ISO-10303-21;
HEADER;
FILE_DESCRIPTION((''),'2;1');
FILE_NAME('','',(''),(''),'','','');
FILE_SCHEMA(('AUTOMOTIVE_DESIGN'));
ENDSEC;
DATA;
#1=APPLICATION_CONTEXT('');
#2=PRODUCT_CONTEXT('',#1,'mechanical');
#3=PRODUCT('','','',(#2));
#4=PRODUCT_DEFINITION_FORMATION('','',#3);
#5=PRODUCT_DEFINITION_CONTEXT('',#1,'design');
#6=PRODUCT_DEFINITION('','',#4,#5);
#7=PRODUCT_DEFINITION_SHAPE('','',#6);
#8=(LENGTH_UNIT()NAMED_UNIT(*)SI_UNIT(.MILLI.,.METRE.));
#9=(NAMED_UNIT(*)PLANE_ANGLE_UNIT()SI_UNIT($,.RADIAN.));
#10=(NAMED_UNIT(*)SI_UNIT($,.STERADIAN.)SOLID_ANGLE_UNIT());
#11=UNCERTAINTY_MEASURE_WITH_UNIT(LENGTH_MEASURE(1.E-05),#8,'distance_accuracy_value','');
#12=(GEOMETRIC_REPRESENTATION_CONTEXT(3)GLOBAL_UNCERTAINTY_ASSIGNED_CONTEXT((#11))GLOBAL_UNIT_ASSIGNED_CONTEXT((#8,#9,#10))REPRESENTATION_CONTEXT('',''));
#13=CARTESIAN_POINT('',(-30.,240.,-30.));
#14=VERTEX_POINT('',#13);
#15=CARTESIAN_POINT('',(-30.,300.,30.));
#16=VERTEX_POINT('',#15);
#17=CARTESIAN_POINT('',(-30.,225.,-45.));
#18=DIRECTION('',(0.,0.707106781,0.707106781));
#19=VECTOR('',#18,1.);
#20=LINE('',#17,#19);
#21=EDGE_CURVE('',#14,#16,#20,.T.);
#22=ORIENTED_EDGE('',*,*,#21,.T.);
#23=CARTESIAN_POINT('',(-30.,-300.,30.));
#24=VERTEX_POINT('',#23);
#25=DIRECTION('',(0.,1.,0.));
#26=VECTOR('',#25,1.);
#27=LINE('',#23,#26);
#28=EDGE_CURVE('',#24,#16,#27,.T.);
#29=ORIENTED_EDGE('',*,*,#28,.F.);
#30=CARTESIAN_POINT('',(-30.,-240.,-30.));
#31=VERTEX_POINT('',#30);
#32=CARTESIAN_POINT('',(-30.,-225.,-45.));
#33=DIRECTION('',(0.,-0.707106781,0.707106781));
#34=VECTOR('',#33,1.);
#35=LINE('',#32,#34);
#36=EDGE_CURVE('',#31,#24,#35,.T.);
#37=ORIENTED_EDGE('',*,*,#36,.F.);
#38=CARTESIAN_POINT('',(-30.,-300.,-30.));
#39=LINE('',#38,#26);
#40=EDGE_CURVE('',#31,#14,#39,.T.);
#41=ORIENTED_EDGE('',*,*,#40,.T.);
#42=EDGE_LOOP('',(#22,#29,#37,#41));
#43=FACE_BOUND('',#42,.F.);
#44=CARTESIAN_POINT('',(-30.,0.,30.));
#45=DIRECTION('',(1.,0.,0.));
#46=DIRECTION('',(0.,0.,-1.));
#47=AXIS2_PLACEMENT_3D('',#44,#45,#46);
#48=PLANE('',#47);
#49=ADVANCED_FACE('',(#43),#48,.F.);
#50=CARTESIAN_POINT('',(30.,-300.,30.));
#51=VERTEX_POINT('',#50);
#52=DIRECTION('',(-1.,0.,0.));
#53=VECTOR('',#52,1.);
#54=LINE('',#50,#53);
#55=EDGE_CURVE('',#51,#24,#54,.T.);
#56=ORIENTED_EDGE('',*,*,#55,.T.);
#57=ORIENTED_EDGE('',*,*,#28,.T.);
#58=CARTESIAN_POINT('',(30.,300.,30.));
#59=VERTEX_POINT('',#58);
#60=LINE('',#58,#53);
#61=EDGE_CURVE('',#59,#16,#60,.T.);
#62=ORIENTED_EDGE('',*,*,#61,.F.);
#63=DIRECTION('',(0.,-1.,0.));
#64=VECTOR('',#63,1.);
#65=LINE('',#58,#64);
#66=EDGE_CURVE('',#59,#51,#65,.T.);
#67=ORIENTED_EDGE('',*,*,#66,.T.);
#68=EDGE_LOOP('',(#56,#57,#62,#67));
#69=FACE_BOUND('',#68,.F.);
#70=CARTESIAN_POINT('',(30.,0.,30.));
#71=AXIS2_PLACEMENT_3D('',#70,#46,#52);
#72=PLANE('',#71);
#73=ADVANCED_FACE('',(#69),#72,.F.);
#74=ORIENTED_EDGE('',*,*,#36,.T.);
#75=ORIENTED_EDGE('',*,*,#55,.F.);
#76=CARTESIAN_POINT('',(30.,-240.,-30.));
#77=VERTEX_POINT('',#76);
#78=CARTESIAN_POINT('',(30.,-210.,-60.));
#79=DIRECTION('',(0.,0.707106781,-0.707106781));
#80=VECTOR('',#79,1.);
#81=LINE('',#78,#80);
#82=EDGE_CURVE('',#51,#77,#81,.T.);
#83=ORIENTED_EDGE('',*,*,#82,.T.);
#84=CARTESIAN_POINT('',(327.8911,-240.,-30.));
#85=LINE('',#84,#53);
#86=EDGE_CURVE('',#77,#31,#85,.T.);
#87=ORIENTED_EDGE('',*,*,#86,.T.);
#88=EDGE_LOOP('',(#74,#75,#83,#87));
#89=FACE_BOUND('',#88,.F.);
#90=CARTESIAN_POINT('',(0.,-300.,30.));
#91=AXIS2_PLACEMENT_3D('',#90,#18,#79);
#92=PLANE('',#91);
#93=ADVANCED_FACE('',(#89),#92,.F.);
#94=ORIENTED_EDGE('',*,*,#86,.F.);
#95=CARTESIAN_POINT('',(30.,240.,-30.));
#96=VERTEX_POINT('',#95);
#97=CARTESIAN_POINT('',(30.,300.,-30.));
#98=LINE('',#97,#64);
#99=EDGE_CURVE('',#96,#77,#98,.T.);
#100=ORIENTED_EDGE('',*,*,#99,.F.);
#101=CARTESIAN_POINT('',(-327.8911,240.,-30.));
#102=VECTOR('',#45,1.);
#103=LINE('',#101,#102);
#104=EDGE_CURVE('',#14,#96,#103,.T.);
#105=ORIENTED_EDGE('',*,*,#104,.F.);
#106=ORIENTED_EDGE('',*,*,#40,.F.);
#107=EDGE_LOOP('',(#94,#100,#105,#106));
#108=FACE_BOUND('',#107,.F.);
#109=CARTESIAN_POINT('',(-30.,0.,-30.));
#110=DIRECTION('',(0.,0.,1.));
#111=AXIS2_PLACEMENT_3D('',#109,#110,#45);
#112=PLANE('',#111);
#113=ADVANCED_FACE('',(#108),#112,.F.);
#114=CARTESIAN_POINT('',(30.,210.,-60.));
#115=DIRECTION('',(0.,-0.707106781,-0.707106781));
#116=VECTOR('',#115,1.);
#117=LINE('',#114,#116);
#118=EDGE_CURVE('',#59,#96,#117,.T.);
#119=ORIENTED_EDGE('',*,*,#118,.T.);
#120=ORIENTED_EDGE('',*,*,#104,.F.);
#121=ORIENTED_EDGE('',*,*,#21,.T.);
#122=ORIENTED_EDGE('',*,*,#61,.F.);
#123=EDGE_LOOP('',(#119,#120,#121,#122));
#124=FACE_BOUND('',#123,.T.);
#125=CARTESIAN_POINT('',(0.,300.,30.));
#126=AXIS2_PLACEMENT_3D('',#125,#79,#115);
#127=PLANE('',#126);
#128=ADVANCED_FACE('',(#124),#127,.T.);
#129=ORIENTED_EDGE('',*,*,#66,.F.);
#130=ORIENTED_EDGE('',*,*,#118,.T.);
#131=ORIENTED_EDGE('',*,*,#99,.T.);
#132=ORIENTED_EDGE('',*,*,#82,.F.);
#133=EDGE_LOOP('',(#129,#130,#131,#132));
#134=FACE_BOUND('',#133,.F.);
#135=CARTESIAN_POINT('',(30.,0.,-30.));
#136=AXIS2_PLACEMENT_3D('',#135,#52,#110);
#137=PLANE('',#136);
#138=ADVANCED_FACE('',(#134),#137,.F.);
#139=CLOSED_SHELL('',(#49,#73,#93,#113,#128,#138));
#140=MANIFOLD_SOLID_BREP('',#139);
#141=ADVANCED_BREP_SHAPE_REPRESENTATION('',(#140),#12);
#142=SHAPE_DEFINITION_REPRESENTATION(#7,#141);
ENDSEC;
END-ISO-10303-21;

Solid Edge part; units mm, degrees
sketch "Sketch1" plane through (0, 0, 0) normal (0, -1, 0) x (1, 0, 0)
  line L0 (-30, -30) -> (30, -30)
  line L1 (30, -30) -> (30, 30)
  line L2 (30, 30) -> (-30, 30)
  line L3 (-30, 30) -> (-30, -30)
extrude "Protrusion1" add sketch "Sketch1" along normal mid plane 600
sketch "Sketch2" plane through (0, 0, 0) normal (1, 0, 0) x (0, 1, 0)
  line L0 (-300, 30) -> (-240, -30)
  line L1 (-240, -30) -> (-300, -30)
  line L2 (-300, -30) -> (-300, 30)
  line L3 (300, 30) -> (240, -30)
  line L4 (240, -30) -> (300, -30)
  line L5 (300, -30) -> (300, 30)
extrude "ExtrudedCutout_1" cut sketch "Sketch2" along normal mid plane 655.7822
